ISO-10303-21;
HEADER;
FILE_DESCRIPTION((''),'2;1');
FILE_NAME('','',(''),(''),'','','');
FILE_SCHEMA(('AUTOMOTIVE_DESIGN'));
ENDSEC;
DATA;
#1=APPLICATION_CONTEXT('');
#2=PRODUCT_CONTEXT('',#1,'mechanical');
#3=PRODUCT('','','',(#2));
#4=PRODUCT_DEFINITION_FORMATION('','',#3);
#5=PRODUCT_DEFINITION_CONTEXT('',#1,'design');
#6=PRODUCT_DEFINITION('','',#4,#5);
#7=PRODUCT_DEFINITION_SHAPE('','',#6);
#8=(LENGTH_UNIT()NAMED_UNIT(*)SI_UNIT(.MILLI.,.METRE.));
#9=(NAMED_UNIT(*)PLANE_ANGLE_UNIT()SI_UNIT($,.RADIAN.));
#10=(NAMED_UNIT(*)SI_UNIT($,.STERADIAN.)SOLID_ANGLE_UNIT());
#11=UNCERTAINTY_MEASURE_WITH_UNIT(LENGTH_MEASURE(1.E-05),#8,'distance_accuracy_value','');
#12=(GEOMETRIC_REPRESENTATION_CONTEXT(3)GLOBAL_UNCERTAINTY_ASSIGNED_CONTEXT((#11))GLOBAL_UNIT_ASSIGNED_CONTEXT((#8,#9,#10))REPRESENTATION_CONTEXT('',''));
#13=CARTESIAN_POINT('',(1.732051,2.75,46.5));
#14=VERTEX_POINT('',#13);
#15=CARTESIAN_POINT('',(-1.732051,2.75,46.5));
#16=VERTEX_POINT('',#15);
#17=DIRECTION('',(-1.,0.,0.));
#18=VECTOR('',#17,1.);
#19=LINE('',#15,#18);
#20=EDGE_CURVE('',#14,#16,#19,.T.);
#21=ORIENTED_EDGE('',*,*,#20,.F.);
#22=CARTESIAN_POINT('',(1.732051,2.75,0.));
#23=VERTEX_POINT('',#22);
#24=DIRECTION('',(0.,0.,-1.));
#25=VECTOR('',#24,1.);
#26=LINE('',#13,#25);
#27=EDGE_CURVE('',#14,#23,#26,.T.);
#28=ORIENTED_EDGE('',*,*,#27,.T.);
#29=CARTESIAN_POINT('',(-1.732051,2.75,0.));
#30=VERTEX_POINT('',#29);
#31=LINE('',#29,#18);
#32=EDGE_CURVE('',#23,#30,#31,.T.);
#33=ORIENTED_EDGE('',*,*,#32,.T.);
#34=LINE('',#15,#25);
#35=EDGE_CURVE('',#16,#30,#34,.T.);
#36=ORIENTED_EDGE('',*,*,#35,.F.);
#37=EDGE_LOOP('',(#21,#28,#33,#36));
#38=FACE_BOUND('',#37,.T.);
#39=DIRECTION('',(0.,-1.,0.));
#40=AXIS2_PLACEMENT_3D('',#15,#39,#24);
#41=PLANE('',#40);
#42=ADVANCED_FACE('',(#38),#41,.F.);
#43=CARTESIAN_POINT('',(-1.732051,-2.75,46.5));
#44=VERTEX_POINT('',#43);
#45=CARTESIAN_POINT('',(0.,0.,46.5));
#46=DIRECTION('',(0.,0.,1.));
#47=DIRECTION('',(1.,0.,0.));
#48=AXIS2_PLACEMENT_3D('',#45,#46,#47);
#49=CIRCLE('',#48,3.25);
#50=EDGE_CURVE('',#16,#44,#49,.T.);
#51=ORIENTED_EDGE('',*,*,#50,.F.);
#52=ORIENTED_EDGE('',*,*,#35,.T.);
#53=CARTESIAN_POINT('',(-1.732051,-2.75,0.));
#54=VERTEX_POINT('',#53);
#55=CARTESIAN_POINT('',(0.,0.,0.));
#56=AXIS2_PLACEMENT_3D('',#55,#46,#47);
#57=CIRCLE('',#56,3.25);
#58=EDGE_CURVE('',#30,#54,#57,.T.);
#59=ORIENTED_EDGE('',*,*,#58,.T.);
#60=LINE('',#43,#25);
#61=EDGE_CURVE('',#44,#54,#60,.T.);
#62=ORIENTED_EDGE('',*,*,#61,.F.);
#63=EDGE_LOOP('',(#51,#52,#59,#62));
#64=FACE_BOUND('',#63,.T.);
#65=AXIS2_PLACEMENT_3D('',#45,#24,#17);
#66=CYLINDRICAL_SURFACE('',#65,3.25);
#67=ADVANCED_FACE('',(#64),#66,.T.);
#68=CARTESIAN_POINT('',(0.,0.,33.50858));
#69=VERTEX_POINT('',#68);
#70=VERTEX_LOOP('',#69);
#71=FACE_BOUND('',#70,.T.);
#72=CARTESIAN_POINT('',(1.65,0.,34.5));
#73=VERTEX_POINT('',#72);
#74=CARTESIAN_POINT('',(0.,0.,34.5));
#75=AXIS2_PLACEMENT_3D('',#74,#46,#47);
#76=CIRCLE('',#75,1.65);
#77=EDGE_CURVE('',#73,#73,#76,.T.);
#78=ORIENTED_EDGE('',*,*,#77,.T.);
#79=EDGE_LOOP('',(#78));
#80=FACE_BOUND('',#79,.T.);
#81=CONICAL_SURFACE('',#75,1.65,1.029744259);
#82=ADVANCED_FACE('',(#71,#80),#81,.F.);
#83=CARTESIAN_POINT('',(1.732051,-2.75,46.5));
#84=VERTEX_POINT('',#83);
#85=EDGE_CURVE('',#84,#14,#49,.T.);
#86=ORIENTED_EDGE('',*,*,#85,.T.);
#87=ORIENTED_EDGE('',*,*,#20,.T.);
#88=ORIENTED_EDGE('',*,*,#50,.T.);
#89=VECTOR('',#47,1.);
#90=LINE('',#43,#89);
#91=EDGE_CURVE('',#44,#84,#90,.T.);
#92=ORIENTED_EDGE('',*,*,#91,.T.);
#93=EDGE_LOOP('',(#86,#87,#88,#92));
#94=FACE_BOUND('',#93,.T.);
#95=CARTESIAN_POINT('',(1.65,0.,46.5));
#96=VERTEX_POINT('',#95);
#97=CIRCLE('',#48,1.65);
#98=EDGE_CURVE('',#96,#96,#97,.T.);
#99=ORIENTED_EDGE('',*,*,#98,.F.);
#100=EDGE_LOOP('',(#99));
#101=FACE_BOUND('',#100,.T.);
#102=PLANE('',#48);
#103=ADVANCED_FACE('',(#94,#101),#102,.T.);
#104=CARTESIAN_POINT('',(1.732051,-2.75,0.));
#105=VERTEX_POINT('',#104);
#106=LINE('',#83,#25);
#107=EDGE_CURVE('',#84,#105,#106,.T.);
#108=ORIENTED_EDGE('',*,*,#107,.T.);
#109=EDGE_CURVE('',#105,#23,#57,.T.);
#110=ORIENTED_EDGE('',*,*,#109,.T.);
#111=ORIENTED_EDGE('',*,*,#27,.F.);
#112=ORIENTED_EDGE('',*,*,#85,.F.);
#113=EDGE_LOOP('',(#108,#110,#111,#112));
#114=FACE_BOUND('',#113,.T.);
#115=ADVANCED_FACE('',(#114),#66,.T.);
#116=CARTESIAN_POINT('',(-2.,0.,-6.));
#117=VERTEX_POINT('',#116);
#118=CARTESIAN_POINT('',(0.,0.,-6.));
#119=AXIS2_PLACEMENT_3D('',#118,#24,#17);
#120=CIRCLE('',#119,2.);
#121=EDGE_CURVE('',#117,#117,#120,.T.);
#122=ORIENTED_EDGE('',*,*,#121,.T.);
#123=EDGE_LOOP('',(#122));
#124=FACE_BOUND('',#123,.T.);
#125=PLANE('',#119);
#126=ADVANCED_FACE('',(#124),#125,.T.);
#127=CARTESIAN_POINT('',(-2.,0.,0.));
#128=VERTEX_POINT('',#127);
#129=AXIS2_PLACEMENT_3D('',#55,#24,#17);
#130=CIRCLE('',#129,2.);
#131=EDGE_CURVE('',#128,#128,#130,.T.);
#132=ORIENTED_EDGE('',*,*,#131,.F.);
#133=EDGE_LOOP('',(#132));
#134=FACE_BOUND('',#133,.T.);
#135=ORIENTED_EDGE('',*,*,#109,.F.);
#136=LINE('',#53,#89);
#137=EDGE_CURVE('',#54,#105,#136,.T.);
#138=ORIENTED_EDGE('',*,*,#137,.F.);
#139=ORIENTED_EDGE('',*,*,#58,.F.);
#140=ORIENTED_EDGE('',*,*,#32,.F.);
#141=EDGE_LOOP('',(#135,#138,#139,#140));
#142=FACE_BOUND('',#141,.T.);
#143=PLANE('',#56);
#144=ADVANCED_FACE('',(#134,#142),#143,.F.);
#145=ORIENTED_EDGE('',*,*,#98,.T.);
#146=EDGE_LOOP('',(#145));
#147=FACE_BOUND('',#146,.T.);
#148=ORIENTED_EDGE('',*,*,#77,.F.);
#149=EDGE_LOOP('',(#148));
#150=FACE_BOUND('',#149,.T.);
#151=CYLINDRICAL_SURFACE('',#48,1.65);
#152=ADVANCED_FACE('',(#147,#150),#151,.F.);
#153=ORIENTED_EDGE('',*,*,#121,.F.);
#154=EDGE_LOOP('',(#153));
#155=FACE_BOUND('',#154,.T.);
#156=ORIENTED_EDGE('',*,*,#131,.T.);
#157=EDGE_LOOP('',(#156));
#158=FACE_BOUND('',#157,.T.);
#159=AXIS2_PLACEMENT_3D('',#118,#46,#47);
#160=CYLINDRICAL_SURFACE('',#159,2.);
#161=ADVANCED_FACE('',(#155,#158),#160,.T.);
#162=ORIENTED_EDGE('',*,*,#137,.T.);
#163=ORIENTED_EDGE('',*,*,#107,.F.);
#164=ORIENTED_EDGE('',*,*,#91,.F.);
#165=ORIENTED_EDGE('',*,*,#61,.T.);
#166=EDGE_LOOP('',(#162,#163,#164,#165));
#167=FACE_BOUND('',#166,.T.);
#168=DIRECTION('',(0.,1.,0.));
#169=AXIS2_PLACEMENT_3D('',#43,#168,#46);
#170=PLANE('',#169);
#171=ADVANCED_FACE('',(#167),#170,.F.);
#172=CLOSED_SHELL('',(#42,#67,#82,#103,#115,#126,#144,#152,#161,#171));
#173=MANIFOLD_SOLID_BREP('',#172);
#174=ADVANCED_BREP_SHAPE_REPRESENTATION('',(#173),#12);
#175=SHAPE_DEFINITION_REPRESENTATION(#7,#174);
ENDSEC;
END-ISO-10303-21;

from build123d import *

# Parameters (mm, degrees)
EXTRUDE_1_DEPTH        = 46.5
HOLE_WIZARD_M4_1_D     = 3.3
HOLE_WIZARD_M4_1_DEPTH = 12
HOLE_WIZARD_M4_1_TIP   = 0.991420021
SKETCH_4_R             = 2
EXTRUDE_2_DEPTH        = 6


with BuildPart() as part:
    # 草图1 → 凸台-拉伸1 (new body)
    with BuildSketch(Plane.XY):
        with BuildLine():
            Line((-1.732050808, 2.75), (1.732050808, 2.75))
            ThreePointArc((1.732050808, 2.75), (3.25, 0), (1.732050808, -2.75))
            Line((1.732050808, -2.75), (-1.732050808, -2.75))
            ThreePointArc((-1.732050808, -2.75), (-3.25, 0), (-1.732050808, 2.75))
        make_face()
    extrude(amount=EXTRUDE_1_DEPTH)

    # M4 螺纹孔1
    with Locations(Plane.XY.offset(46.5)):
        with Locations((0, 0)):
            Hole(HOLE_WIZARD_M4_1_D / 2, depth=HOLE_WIZARD_M4_1_DEPTH)
            with Locations((0, 0, -(HOLE_WIZARD_M4_1_DEPTH + HOLE_WIZARD_M4_1_TIP / 2))):  # 118° drill point
                Cone(0, HOLE_WIZARD_M4_1_D / 2, HOLE_WIZARD_M4_1_TIP, mode=Mode.SUBTRACT)

    # 草图4 → 凸台-拉伸2 (add)
    with BuildSketch(Plane(origin=(0, 0, 0), x_dir=(-1, 0, 0), z_dir=(0, 0, -1))):
        Circle(SKETCH_4_R)
    extrude(amount=EXTRUDE_2_DEPTH)


solid = part.part
